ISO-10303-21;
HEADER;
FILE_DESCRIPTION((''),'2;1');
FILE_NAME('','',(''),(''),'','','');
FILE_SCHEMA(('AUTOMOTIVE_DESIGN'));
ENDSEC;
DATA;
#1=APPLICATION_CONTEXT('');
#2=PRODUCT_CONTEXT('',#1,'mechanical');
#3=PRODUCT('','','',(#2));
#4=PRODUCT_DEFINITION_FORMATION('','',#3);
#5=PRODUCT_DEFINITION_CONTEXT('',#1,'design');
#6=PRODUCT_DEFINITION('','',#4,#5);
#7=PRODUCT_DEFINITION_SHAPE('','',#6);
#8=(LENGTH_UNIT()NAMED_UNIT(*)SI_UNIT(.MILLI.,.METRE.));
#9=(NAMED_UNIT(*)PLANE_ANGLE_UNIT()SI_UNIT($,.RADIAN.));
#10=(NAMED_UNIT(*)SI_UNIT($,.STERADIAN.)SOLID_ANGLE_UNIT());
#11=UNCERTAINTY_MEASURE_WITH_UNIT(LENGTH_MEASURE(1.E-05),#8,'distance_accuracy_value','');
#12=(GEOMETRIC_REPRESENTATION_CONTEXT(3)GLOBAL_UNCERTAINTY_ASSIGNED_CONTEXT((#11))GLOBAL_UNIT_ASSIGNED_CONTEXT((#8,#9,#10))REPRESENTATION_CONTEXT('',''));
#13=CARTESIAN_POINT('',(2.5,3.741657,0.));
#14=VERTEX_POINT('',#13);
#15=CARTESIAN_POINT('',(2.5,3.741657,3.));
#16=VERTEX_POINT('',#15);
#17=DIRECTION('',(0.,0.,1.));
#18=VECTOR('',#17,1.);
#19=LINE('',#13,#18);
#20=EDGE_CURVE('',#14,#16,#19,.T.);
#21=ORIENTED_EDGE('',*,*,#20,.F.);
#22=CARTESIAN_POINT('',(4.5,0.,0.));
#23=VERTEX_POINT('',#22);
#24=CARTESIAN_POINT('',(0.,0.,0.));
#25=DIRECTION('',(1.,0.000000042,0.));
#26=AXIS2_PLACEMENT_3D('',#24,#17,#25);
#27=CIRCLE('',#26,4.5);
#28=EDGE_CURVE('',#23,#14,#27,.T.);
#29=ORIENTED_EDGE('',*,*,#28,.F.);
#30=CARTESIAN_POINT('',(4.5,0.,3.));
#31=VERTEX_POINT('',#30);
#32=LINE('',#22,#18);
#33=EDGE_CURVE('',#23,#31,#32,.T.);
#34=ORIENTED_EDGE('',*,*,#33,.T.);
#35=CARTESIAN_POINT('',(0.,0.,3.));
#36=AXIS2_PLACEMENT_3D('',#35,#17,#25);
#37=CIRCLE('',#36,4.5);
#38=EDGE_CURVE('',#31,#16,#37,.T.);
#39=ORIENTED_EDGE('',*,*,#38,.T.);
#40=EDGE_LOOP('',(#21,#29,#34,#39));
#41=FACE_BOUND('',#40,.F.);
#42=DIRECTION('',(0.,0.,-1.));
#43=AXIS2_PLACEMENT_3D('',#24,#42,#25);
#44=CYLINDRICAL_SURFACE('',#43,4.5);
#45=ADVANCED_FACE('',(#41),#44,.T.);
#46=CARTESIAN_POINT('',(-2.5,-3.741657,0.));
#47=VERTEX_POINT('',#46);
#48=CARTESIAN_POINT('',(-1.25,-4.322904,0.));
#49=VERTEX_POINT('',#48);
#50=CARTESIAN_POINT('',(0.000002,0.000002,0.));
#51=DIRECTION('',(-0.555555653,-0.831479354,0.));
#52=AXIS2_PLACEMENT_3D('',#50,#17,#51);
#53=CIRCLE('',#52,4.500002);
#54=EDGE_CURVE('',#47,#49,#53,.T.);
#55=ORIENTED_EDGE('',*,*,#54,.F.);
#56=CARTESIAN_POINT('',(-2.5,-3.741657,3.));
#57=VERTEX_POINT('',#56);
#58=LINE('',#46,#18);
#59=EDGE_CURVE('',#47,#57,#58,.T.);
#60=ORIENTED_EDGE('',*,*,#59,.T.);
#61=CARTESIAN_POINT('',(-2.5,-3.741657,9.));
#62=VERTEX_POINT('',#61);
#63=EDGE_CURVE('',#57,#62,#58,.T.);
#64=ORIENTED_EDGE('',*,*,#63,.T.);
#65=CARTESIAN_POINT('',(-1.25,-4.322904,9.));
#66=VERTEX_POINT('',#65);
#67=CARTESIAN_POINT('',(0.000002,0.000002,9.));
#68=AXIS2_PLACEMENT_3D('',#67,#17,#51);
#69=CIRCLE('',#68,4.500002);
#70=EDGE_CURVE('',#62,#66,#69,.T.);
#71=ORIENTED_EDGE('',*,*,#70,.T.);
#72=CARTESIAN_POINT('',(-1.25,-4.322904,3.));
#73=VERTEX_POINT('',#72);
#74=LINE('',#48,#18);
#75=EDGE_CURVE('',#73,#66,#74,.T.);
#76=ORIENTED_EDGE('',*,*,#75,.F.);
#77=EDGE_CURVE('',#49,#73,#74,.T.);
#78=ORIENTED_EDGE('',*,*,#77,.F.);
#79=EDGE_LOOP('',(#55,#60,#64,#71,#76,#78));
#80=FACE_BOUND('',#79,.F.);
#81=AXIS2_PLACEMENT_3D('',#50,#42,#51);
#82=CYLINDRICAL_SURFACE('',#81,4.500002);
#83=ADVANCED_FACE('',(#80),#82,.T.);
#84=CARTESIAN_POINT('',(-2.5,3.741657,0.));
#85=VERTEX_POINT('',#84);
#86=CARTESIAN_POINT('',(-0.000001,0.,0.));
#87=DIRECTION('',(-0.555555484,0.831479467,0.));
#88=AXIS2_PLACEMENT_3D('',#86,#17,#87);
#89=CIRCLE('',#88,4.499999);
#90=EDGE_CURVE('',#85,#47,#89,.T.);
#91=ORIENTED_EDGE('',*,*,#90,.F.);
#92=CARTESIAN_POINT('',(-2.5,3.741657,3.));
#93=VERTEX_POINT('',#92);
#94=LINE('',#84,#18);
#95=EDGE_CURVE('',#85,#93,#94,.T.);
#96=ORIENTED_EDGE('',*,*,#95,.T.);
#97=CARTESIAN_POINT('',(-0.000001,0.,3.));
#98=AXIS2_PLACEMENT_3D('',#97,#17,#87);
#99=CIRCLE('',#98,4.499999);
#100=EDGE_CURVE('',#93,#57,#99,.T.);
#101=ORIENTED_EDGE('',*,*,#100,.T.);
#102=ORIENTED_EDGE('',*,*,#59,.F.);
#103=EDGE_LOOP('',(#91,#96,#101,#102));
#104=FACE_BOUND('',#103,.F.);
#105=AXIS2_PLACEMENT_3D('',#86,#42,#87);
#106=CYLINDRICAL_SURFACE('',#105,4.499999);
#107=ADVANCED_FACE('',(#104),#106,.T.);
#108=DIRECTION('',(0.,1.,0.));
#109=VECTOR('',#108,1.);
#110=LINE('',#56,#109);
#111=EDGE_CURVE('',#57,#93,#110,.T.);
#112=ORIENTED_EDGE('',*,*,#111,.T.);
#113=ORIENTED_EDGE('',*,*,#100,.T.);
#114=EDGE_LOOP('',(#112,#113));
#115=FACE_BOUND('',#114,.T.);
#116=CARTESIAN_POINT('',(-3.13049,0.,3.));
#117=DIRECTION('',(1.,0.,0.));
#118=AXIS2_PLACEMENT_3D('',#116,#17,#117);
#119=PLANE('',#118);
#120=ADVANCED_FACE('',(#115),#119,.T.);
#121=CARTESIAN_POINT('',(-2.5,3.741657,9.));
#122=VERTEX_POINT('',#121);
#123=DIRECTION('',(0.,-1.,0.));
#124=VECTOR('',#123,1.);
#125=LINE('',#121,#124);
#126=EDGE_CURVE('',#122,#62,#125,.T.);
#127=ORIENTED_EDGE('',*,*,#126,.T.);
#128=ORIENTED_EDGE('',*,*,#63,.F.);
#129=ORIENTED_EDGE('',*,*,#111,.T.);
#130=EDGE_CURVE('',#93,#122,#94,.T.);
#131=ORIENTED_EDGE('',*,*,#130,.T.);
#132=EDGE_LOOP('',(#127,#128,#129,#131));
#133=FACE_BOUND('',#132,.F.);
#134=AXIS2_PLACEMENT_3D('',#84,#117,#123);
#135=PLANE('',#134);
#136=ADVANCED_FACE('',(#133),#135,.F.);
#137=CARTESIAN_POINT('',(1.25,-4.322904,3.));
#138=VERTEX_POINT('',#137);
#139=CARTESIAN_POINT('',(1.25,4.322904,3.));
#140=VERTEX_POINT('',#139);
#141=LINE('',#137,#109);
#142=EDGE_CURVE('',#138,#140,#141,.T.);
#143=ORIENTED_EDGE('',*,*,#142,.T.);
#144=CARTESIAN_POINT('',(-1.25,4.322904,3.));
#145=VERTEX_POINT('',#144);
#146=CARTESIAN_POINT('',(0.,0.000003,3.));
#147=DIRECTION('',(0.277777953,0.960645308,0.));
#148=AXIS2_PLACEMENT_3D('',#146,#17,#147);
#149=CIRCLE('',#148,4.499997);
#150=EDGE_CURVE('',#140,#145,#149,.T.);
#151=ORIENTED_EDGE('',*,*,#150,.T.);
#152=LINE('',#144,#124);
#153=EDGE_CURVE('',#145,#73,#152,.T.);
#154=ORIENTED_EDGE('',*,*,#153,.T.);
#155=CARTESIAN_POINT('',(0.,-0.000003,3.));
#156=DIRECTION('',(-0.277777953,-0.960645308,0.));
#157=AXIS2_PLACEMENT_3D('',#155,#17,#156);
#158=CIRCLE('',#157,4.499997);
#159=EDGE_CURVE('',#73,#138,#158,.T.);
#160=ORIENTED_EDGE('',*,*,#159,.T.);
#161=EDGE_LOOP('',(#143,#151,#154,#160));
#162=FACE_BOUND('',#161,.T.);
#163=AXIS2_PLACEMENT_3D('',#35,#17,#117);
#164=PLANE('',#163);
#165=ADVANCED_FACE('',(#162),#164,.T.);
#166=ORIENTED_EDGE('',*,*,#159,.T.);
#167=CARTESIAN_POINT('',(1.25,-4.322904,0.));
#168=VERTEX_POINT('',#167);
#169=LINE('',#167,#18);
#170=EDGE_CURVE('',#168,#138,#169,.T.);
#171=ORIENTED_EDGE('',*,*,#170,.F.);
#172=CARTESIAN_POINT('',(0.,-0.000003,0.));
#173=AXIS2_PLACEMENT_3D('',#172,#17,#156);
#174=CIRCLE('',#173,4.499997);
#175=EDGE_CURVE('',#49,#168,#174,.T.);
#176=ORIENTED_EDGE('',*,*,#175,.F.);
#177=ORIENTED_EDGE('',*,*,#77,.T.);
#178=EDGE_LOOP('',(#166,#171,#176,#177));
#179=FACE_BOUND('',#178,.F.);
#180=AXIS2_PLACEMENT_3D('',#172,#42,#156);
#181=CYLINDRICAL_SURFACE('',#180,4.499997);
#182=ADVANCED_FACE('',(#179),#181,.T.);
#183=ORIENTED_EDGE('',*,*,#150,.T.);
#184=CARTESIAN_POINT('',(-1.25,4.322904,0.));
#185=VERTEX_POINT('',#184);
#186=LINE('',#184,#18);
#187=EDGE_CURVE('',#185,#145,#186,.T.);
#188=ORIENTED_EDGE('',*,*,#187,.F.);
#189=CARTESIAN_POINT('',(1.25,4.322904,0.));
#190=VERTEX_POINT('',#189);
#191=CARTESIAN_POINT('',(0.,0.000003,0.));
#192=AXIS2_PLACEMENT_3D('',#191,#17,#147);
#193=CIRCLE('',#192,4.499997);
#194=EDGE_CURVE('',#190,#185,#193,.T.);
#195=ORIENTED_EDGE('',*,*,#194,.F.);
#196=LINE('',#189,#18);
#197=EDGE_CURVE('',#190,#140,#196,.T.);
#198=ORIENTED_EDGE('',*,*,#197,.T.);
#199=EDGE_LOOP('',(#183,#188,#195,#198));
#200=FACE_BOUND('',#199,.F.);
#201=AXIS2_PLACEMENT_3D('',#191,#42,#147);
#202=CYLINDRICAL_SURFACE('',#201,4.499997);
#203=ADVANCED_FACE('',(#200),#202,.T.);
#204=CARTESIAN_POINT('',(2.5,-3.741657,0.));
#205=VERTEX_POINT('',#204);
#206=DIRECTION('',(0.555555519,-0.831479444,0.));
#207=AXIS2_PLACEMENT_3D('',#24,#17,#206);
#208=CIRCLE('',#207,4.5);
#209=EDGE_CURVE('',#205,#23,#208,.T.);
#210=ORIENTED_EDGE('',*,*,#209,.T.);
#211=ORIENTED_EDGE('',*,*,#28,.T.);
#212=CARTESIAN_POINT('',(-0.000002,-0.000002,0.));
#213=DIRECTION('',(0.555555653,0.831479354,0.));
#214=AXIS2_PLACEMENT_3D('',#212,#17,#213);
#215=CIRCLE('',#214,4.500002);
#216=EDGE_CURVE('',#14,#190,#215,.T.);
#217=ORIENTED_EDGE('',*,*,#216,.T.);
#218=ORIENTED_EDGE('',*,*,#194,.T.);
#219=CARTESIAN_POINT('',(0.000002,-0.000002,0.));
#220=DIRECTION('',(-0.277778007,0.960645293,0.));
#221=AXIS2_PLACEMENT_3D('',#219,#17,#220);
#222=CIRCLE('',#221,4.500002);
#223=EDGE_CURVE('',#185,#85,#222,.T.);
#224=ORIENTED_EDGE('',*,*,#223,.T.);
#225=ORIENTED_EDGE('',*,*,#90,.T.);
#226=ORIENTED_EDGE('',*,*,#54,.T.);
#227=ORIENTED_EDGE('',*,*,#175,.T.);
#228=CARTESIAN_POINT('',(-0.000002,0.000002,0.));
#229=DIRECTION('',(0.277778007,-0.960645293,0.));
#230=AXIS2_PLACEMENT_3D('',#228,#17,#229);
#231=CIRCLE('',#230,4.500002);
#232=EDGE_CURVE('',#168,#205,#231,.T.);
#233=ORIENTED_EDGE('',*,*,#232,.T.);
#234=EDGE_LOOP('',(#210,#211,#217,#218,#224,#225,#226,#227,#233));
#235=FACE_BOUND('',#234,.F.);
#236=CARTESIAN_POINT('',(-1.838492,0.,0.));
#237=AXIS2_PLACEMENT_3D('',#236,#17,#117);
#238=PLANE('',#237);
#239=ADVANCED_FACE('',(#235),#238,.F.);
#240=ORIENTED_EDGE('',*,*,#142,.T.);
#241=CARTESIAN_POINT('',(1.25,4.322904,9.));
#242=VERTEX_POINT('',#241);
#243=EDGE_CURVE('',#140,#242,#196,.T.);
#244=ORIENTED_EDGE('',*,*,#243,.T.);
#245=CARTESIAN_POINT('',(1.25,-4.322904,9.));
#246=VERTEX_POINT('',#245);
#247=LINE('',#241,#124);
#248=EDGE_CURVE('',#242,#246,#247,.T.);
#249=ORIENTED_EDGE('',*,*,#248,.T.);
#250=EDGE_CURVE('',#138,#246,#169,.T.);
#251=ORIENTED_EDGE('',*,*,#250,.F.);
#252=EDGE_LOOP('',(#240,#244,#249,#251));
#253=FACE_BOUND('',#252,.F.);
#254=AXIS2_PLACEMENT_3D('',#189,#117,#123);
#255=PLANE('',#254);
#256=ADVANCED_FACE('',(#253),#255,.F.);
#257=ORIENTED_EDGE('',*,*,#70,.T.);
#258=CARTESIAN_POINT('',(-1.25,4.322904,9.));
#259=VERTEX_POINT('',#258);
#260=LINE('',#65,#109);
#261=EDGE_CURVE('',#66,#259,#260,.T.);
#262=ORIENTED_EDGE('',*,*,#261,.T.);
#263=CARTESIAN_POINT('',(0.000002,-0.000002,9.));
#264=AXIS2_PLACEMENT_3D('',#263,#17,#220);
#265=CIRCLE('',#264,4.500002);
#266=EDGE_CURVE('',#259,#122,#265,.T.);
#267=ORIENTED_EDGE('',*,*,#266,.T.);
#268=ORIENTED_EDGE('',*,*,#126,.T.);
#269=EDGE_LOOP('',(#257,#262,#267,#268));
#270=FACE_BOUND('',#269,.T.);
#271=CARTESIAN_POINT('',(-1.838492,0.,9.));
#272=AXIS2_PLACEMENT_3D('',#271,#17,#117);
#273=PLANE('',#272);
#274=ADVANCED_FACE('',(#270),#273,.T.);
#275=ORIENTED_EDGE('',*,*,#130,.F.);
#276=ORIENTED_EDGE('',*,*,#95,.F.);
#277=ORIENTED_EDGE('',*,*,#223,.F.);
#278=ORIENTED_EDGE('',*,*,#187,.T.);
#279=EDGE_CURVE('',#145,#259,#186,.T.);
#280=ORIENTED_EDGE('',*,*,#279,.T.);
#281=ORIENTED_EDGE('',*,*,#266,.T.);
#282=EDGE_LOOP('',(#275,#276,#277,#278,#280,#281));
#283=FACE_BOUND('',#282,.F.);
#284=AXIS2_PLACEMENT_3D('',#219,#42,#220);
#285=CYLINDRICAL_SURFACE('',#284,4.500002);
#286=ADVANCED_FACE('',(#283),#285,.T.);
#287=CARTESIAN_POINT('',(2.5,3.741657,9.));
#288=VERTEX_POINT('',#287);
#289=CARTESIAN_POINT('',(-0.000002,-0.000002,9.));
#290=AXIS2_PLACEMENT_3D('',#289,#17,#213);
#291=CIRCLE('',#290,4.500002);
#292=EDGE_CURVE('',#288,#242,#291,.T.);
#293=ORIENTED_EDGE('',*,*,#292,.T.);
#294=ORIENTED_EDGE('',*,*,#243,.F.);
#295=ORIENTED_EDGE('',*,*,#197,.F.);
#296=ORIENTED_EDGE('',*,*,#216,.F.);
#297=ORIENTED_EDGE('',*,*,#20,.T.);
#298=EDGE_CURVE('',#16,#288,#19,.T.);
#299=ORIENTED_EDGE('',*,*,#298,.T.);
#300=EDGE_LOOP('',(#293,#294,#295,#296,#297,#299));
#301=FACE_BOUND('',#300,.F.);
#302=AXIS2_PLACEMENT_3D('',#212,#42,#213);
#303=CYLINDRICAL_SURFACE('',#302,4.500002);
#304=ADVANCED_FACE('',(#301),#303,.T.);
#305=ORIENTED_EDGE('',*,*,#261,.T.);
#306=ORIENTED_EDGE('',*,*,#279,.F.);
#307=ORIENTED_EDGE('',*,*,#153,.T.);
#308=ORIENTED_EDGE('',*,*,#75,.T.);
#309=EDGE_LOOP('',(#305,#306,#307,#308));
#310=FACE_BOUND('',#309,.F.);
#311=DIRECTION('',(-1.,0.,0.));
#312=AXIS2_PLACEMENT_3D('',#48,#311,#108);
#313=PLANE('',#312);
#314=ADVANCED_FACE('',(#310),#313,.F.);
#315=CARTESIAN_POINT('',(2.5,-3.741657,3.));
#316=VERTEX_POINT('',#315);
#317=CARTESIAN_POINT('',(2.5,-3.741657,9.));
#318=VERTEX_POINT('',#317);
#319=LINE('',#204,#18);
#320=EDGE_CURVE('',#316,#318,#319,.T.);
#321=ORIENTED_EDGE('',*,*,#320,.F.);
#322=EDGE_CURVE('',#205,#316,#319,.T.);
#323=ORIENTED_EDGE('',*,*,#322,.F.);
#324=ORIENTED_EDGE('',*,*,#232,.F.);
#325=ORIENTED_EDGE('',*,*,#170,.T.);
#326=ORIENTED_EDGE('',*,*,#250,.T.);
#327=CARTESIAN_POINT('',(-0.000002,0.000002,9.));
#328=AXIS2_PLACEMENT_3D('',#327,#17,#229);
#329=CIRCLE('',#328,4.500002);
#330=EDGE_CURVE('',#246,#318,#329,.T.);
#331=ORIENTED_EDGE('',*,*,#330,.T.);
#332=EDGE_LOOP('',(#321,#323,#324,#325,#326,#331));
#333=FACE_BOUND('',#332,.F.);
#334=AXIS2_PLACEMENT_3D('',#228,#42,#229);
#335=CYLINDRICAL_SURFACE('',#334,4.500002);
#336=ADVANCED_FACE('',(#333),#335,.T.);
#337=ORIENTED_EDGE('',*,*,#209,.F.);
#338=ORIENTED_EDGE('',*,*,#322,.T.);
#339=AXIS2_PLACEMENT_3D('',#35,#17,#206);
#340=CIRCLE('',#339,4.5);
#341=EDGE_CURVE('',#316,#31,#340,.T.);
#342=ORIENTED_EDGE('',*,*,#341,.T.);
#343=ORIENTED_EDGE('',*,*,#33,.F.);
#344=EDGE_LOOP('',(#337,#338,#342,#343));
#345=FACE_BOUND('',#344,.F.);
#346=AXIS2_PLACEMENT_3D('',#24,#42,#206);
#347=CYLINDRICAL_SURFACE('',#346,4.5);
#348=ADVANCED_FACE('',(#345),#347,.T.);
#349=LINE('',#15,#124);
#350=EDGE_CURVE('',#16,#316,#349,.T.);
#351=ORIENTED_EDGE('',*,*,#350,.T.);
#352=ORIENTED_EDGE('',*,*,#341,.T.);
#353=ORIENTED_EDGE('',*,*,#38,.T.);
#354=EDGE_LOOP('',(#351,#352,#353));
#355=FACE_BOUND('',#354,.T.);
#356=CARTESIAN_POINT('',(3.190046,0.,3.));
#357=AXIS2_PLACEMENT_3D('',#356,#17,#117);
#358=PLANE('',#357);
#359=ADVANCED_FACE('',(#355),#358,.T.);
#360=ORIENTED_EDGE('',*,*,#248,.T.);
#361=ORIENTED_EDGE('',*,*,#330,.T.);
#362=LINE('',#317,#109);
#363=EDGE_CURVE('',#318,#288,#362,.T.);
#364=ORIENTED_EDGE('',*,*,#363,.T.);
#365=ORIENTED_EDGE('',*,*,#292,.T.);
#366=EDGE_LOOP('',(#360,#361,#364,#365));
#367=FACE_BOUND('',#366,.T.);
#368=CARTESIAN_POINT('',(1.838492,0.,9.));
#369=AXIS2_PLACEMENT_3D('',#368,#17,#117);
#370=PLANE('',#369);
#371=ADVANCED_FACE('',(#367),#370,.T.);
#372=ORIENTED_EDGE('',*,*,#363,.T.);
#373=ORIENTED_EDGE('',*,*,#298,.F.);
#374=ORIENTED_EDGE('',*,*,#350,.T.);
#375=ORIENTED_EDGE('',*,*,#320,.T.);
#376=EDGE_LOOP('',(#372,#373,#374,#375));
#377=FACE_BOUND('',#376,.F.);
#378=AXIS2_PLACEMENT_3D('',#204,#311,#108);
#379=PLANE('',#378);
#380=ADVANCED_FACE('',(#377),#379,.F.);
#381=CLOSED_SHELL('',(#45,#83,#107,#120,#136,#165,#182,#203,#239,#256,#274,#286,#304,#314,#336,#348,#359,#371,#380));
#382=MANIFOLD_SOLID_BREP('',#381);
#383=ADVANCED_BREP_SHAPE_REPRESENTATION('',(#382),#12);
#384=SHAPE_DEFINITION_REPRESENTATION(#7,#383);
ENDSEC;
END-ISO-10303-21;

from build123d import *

# Parameters (mm, degrees)
F1_DEPTH = 3
F2_DEPTH = 9


with BuildPart() as f1:
    # F0 (on Top) → F1 (new body)
    with BuildSketch(Plane.XY):
        with BuildLine():
            Line((-2.5, -3.741657), (-2.5, 3.741657))
            ThreePointArc((-2.5, 3.741657), (-4.5, 0), (-2.5, -3.741657))
        make_face()
        with BuildLine():
            Line((1.25, -4.322904), (1.25, 4.322904))
            ThreePointArc((1.25, 4.322904), (0, 4.5), (-1.25, 4.322904))
            Line((-1.25, 4.322904), (-1.25, -4.322904))
            ThreePointArc((-1.25, -4.322904), (0, -4.5), (1.25, -4.322904))
        make_face()
        with BuildLine():
            ThreePointArc((2.5, -3.741657), (3.968627, -2.12132), (4.5, 0))
            ThreePointArc((4.5, 0), (3.968627, 2.12132), (2.5, 3.741657))
            Line((2.5, 3.741657), (2.5, -3.741657))
        make_face()
    extrude(amount=F1_DEPTH)

    # F0 (on Top) → F2 (join)
    with BuildSketch(Plane.XY):
        with BuildLine():
            Line((-1.25, -4.322904), (-1.25, 4.322904))
            ThreePointArc((-1.25, 4.322904), (-1.89739, 4.08043), (-2.5, 3.741657))
            Line((-2.5, 3.741657), (-2.5, -3.741657))
            ThreePointArc((-2.5, -3.741657), (-1.89739, -4.08043), (-1.25, -4.322904))
        make_face()
        with BuildLine():
            Line((2.5, -3.741657), (2.5, 3.741657))
            ThreePointArc((2.5, 3.741657), (1.89739, 4.08043), (1.25, 4.322904))
            Line((1.25, 4.322904), (1.25, -4.322904))
            ThreePointArc((1.25, -4.322904), (1.89739, -4.08043), (2.5, -3.741657))
        make_face()
    extrude(amount=F2_DEPTH)


solid = f1.part
